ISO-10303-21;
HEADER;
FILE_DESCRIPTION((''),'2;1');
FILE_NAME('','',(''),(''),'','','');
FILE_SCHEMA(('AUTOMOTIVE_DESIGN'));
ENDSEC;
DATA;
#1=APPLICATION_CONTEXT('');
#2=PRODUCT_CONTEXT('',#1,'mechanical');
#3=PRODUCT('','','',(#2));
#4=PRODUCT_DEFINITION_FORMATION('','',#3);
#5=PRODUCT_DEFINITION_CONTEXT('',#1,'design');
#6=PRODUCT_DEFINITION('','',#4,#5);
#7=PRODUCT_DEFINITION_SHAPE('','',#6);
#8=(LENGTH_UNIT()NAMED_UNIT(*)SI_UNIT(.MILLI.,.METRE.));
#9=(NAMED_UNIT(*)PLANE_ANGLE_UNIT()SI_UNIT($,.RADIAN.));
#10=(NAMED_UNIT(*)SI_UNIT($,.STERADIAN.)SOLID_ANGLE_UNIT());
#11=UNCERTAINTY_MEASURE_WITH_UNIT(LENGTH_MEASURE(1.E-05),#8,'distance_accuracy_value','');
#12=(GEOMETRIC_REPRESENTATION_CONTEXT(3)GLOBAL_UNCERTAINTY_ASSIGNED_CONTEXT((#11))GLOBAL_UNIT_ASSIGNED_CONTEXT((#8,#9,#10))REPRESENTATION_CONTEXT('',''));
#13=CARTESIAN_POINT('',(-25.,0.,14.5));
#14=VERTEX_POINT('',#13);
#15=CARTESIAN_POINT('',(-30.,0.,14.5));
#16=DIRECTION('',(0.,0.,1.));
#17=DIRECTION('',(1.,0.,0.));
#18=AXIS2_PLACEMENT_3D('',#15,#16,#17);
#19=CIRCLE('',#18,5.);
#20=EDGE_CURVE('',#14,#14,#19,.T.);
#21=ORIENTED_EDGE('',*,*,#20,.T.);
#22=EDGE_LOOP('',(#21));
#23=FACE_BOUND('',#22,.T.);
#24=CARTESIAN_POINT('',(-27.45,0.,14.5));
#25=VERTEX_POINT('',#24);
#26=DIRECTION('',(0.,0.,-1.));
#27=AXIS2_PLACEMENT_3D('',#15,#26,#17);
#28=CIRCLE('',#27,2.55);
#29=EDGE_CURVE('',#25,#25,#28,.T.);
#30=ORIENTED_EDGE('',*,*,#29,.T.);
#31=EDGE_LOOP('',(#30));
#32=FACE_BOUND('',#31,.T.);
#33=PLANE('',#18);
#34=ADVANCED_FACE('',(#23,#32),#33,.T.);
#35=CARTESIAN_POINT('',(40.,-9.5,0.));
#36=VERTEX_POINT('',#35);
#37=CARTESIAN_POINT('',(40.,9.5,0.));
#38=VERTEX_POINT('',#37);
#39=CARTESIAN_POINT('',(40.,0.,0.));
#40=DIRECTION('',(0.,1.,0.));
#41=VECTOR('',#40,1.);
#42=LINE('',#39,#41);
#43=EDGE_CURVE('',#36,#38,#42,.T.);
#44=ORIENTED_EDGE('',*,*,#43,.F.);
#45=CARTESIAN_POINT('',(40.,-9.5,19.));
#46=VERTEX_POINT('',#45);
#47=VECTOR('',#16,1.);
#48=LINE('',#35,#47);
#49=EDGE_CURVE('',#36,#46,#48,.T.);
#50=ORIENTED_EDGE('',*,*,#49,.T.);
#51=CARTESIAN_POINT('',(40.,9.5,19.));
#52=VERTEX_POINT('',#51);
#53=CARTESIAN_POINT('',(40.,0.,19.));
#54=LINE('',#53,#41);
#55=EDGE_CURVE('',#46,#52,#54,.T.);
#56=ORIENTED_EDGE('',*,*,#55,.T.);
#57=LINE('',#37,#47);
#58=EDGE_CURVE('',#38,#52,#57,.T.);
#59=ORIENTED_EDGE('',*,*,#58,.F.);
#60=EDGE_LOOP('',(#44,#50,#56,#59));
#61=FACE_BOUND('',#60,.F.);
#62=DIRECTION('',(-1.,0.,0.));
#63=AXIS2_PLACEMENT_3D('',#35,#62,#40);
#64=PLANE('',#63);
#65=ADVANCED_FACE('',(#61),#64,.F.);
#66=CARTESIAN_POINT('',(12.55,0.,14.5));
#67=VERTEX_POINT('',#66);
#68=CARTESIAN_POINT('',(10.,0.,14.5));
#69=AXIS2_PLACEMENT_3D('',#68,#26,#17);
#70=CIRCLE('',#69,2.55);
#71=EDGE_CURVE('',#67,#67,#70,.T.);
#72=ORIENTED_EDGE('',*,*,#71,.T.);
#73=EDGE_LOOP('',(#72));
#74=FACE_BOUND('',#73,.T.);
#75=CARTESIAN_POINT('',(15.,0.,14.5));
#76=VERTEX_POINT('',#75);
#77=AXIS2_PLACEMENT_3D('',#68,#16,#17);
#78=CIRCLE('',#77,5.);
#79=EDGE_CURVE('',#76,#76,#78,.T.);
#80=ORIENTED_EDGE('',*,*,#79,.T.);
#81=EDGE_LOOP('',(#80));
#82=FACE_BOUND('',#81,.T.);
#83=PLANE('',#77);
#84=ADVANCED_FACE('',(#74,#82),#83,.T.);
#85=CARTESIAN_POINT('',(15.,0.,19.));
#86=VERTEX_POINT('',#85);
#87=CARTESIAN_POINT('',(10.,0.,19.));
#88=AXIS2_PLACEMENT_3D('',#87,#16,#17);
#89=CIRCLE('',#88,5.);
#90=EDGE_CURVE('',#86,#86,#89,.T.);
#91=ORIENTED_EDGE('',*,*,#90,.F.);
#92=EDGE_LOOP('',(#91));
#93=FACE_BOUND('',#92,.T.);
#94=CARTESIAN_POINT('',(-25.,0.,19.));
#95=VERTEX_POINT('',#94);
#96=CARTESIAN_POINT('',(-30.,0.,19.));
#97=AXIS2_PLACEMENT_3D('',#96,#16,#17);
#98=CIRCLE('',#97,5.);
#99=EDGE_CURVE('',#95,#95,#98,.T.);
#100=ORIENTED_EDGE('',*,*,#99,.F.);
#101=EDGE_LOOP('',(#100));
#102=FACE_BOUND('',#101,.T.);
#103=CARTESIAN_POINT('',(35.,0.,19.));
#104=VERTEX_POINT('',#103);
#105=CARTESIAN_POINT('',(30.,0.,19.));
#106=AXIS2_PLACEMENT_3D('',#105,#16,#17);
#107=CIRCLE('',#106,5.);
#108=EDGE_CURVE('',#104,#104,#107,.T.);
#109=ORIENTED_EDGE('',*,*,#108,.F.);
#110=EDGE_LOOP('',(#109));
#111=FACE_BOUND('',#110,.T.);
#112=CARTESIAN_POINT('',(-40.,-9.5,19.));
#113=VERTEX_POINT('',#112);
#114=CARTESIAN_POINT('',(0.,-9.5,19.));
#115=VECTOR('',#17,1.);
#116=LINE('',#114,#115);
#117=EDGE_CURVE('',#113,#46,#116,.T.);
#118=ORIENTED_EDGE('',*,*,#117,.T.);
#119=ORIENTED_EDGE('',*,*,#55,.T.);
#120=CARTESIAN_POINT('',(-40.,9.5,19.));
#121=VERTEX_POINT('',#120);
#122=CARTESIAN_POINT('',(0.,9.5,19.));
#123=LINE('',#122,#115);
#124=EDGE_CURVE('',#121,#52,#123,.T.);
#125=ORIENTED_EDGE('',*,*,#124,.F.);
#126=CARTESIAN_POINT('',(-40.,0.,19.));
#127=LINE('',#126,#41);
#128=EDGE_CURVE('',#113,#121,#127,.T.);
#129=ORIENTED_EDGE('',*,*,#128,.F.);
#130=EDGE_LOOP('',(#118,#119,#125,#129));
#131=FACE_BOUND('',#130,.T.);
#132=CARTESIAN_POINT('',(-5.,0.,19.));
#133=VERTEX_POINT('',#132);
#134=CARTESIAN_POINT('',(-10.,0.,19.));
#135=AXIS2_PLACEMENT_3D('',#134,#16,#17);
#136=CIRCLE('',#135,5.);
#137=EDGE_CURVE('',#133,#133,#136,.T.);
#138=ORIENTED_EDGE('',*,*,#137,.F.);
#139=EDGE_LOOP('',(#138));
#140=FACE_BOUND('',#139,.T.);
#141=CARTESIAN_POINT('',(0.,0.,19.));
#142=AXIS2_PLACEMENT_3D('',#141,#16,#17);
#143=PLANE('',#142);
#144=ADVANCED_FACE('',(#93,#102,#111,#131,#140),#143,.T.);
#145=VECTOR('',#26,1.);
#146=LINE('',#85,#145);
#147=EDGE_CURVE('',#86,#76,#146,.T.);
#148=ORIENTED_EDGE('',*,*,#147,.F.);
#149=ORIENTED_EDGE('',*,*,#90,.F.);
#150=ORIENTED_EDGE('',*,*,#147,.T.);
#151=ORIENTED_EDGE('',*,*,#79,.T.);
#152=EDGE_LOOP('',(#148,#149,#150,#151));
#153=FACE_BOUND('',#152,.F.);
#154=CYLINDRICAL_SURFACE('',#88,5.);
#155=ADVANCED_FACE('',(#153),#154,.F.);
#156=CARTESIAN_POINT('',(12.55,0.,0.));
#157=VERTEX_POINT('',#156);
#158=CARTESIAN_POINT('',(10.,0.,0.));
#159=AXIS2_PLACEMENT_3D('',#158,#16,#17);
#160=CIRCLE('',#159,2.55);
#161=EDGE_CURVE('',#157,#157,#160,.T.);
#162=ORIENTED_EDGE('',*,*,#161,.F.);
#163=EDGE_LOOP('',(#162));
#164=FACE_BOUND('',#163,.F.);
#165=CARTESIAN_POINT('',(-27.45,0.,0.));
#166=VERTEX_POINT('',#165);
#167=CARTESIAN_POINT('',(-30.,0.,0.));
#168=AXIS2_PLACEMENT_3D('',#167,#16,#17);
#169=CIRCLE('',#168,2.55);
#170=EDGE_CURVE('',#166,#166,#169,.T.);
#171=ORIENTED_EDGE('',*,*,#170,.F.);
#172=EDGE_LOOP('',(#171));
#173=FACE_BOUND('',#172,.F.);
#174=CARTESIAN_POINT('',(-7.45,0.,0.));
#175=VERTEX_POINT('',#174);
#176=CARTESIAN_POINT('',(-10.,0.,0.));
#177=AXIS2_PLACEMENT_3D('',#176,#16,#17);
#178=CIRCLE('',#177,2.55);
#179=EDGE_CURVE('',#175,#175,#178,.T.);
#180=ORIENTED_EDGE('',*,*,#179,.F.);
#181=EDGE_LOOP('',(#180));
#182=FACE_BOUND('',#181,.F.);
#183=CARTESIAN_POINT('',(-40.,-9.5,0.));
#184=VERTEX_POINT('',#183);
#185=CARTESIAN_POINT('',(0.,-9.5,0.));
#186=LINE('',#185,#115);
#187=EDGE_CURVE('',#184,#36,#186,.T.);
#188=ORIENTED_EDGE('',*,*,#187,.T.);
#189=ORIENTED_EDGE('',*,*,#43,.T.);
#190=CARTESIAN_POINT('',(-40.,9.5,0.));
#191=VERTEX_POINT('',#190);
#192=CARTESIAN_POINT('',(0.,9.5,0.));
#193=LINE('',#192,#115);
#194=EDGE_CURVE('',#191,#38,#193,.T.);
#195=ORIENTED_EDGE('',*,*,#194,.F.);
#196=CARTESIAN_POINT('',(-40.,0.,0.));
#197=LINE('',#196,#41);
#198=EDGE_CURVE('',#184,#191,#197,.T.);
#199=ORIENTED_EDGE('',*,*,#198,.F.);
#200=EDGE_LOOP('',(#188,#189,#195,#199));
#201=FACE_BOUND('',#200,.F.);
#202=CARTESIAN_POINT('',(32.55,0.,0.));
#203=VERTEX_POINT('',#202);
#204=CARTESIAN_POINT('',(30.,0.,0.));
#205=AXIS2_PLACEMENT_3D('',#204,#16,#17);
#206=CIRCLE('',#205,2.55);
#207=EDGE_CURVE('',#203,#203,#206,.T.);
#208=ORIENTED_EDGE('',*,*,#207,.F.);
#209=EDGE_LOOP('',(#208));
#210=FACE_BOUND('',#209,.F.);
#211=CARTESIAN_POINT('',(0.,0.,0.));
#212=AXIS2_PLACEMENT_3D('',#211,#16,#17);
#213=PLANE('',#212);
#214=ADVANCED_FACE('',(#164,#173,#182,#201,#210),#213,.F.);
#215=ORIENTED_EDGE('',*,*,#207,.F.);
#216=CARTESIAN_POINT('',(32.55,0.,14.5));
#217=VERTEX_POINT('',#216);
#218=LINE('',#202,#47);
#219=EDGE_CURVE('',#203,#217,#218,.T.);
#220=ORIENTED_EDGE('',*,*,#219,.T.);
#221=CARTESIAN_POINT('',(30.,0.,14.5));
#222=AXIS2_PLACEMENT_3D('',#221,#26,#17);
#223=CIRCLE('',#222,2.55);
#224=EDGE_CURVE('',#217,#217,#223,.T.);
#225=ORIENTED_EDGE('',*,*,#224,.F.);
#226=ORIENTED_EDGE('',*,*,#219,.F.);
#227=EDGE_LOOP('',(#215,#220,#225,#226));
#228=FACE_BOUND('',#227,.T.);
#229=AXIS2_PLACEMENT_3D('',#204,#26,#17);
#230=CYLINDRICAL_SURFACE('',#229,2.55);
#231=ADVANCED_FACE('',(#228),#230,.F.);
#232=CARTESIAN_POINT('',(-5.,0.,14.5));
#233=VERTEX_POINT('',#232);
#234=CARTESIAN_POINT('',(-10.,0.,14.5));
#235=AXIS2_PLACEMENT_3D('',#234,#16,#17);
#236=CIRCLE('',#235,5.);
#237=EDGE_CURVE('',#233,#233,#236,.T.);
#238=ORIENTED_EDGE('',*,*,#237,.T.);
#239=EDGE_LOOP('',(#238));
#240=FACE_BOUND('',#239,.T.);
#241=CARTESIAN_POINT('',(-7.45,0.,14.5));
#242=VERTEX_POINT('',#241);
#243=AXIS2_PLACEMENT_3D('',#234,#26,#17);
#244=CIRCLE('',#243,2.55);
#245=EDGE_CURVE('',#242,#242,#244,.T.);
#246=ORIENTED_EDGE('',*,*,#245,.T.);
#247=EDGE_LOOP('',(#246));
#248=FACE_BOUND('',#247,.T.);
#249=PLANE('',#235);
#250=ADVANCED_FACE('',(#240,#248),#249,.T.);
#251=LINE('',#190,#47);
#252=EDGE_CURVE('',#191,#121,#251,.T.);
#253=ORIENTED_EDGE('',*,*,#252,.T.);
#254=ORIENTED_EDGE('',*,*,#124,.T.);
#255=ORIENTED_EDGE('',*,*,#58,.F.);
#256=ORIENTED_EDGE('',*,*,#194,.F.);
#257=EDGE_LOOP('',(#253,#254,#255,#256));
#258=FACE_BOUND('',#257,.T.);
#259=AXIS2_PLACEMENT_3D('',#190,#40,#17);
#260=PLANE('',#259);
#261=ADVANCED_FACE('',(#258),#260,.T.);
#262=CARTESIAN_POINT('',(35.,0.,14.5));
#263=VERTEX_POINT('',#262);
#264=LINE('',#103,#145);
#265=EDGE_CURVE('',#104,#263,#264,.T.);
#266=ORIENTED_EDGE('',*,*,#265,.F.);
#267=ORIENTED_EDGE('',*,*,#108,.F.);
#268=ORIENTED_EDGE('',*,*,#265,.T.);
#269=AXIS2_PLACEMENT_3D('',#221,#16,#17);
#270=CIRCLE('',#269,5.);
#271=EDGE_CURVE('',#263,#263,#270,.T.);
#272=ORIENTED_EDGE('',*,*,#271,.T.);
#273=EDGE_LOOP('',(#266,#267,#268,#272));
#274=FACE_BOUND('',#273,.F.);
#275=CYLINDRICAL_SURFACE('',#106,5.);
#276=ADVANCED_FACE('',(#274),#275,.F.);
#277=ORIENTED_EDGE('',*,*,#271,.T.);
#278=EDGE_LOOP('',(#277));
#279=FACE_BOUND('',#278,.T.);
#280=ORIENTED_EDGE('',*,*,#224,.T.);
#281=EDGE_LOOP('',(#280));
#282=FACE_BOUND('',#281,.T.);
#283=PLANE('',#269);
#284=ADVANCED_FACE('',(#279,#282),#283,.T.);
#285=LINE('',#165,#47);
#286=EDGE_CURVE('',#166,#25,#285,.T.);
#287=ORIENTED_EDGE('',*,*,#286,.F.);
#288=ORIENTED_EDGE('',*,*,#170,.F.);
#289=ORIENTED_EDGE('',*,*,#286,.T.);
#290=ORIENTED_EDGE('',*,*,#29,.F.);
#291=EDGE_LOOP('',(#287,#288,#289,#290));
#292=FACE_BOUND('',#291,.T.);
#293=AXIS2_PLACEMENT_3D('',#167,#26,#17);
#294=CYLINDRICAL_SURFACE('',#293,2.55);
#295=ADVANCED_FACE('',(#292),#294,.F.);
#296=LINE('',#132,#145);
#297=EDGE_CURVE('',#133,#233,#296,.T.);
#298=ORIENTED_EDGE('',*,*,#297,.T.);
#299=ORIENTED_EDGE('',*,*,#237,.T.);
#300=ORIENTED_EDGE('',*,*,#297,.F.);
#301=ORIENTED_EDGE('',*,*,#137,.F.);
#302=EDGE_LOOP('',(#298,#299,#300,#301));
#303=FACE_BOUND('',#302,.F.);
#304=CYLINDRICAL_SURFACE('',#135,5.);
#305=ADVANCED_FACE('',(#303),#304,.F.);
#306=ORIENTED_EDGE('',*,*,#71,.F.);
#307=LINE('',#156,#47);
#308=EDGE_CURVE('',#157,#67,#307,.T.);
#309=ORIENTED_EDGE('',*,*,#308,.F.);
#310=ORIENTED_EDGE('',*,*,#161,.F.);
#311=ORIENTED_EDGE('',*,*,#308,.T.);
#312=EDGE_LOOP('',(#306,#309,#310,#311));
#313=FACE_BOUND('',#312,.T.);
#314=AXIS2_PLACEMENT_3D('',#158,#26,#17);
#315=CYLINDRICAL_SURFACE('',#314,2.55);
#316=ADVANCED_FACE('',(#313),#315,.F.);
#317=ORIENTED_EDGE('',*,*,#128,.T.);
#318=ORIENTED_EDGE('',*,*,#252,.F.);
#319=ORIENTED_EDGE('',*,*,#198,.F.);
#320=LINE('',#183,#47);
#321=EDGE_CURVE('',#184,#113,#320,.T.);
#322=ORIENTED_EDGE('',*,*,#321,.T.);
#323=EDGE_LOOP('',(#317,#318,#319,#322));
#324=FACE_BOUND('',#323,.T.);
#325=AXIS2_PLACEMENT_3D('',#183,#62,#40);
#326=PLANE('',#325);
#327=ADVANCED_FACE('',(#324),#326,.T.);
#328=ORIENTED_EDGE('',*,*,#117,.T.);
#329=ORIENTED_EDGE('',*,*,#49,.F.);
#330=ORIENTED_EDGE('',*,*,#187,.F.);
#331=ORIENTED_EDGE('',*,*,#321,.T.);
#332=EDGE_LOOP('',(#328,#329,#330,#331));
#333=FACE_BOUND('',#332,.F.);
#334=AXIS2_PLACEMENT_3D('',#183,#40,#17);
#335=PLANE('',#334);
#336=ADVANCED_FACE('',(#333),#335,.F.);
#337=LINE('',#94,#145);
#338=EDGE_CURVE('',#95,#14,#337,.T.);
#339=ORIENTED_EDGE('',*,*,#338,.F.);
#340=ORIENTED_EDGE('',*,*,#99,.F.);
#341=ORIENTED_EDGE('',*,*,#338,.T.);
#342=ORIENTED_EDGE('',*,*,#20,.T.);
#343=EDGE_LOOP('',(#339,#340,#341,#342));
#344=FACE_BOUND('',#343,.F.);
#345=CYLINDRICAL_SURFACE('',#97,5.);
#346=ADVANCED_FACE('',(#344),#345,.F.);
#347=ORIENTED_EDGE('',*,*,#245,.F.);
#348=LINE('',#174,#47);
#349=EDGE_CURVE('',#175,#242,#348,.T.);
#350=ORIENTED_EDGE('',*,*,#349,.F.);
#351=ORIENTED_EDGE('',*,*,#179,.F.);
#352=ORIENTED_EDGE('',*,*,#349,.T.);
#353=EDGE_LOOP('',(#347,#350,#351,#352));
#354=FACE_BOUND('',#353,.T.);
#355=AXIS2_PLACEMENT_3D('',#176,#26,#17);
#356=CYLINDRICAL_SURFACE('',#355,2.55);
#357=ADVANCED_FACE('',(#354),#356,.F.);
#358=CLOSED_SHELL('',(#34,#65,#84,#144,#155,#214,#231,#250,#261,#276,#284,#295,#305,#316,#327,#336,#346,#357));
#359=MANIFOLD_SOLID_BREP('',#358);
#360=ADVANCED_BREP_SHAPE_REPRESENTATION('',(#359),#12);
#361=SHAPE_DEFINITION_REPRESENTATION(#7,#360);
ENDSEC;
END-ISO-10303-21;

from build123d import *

# Parameters (mm, degrees)
F0_W     = 80
F0_H     = 19
F0_R     = 2.55
F1_DEPTH = 19
F2_R     = 5
F3_DEPTH = 4.5


with BuildPart() as f1:
    # F0 (on Top) → F1 (new body)
    with BuildSketch(Plane.XY):
        Rectangle(F0_W, F0_H)
        with Locations((-30, 0)):
            Circle(F0_R, mode=Mode.SUBTRACT)
        with Locations((-10, 0)):
            Circle(F0_R, mode=Mode.SUBTRACT)
        with Locations((10, 0)):
            Circle(F0_R, mode=Mode.SUBTRACT)
        with Locations((30, 0)):
            Circle(F0_R, mode=Mode.SUBTRACT)
    extrude(amount=F1_DEPTH)

    # F2 (on face) → F3 (cut)
    with BuildSketch(Plane.XY.offset(19)):
        with Locations((-30, 0)):
            Circle(F2_R)
        with Locations((-10, 0)):
            Circle(F2_R)
        with Locations((10, 0)):
            Circle(F2_R)
        with Locations((30, 0)):
            Circle(F2_R)
    extrude(amount=-F3_DEPTH, mode=Mode.SUBTRACT)


solid = f1.part
